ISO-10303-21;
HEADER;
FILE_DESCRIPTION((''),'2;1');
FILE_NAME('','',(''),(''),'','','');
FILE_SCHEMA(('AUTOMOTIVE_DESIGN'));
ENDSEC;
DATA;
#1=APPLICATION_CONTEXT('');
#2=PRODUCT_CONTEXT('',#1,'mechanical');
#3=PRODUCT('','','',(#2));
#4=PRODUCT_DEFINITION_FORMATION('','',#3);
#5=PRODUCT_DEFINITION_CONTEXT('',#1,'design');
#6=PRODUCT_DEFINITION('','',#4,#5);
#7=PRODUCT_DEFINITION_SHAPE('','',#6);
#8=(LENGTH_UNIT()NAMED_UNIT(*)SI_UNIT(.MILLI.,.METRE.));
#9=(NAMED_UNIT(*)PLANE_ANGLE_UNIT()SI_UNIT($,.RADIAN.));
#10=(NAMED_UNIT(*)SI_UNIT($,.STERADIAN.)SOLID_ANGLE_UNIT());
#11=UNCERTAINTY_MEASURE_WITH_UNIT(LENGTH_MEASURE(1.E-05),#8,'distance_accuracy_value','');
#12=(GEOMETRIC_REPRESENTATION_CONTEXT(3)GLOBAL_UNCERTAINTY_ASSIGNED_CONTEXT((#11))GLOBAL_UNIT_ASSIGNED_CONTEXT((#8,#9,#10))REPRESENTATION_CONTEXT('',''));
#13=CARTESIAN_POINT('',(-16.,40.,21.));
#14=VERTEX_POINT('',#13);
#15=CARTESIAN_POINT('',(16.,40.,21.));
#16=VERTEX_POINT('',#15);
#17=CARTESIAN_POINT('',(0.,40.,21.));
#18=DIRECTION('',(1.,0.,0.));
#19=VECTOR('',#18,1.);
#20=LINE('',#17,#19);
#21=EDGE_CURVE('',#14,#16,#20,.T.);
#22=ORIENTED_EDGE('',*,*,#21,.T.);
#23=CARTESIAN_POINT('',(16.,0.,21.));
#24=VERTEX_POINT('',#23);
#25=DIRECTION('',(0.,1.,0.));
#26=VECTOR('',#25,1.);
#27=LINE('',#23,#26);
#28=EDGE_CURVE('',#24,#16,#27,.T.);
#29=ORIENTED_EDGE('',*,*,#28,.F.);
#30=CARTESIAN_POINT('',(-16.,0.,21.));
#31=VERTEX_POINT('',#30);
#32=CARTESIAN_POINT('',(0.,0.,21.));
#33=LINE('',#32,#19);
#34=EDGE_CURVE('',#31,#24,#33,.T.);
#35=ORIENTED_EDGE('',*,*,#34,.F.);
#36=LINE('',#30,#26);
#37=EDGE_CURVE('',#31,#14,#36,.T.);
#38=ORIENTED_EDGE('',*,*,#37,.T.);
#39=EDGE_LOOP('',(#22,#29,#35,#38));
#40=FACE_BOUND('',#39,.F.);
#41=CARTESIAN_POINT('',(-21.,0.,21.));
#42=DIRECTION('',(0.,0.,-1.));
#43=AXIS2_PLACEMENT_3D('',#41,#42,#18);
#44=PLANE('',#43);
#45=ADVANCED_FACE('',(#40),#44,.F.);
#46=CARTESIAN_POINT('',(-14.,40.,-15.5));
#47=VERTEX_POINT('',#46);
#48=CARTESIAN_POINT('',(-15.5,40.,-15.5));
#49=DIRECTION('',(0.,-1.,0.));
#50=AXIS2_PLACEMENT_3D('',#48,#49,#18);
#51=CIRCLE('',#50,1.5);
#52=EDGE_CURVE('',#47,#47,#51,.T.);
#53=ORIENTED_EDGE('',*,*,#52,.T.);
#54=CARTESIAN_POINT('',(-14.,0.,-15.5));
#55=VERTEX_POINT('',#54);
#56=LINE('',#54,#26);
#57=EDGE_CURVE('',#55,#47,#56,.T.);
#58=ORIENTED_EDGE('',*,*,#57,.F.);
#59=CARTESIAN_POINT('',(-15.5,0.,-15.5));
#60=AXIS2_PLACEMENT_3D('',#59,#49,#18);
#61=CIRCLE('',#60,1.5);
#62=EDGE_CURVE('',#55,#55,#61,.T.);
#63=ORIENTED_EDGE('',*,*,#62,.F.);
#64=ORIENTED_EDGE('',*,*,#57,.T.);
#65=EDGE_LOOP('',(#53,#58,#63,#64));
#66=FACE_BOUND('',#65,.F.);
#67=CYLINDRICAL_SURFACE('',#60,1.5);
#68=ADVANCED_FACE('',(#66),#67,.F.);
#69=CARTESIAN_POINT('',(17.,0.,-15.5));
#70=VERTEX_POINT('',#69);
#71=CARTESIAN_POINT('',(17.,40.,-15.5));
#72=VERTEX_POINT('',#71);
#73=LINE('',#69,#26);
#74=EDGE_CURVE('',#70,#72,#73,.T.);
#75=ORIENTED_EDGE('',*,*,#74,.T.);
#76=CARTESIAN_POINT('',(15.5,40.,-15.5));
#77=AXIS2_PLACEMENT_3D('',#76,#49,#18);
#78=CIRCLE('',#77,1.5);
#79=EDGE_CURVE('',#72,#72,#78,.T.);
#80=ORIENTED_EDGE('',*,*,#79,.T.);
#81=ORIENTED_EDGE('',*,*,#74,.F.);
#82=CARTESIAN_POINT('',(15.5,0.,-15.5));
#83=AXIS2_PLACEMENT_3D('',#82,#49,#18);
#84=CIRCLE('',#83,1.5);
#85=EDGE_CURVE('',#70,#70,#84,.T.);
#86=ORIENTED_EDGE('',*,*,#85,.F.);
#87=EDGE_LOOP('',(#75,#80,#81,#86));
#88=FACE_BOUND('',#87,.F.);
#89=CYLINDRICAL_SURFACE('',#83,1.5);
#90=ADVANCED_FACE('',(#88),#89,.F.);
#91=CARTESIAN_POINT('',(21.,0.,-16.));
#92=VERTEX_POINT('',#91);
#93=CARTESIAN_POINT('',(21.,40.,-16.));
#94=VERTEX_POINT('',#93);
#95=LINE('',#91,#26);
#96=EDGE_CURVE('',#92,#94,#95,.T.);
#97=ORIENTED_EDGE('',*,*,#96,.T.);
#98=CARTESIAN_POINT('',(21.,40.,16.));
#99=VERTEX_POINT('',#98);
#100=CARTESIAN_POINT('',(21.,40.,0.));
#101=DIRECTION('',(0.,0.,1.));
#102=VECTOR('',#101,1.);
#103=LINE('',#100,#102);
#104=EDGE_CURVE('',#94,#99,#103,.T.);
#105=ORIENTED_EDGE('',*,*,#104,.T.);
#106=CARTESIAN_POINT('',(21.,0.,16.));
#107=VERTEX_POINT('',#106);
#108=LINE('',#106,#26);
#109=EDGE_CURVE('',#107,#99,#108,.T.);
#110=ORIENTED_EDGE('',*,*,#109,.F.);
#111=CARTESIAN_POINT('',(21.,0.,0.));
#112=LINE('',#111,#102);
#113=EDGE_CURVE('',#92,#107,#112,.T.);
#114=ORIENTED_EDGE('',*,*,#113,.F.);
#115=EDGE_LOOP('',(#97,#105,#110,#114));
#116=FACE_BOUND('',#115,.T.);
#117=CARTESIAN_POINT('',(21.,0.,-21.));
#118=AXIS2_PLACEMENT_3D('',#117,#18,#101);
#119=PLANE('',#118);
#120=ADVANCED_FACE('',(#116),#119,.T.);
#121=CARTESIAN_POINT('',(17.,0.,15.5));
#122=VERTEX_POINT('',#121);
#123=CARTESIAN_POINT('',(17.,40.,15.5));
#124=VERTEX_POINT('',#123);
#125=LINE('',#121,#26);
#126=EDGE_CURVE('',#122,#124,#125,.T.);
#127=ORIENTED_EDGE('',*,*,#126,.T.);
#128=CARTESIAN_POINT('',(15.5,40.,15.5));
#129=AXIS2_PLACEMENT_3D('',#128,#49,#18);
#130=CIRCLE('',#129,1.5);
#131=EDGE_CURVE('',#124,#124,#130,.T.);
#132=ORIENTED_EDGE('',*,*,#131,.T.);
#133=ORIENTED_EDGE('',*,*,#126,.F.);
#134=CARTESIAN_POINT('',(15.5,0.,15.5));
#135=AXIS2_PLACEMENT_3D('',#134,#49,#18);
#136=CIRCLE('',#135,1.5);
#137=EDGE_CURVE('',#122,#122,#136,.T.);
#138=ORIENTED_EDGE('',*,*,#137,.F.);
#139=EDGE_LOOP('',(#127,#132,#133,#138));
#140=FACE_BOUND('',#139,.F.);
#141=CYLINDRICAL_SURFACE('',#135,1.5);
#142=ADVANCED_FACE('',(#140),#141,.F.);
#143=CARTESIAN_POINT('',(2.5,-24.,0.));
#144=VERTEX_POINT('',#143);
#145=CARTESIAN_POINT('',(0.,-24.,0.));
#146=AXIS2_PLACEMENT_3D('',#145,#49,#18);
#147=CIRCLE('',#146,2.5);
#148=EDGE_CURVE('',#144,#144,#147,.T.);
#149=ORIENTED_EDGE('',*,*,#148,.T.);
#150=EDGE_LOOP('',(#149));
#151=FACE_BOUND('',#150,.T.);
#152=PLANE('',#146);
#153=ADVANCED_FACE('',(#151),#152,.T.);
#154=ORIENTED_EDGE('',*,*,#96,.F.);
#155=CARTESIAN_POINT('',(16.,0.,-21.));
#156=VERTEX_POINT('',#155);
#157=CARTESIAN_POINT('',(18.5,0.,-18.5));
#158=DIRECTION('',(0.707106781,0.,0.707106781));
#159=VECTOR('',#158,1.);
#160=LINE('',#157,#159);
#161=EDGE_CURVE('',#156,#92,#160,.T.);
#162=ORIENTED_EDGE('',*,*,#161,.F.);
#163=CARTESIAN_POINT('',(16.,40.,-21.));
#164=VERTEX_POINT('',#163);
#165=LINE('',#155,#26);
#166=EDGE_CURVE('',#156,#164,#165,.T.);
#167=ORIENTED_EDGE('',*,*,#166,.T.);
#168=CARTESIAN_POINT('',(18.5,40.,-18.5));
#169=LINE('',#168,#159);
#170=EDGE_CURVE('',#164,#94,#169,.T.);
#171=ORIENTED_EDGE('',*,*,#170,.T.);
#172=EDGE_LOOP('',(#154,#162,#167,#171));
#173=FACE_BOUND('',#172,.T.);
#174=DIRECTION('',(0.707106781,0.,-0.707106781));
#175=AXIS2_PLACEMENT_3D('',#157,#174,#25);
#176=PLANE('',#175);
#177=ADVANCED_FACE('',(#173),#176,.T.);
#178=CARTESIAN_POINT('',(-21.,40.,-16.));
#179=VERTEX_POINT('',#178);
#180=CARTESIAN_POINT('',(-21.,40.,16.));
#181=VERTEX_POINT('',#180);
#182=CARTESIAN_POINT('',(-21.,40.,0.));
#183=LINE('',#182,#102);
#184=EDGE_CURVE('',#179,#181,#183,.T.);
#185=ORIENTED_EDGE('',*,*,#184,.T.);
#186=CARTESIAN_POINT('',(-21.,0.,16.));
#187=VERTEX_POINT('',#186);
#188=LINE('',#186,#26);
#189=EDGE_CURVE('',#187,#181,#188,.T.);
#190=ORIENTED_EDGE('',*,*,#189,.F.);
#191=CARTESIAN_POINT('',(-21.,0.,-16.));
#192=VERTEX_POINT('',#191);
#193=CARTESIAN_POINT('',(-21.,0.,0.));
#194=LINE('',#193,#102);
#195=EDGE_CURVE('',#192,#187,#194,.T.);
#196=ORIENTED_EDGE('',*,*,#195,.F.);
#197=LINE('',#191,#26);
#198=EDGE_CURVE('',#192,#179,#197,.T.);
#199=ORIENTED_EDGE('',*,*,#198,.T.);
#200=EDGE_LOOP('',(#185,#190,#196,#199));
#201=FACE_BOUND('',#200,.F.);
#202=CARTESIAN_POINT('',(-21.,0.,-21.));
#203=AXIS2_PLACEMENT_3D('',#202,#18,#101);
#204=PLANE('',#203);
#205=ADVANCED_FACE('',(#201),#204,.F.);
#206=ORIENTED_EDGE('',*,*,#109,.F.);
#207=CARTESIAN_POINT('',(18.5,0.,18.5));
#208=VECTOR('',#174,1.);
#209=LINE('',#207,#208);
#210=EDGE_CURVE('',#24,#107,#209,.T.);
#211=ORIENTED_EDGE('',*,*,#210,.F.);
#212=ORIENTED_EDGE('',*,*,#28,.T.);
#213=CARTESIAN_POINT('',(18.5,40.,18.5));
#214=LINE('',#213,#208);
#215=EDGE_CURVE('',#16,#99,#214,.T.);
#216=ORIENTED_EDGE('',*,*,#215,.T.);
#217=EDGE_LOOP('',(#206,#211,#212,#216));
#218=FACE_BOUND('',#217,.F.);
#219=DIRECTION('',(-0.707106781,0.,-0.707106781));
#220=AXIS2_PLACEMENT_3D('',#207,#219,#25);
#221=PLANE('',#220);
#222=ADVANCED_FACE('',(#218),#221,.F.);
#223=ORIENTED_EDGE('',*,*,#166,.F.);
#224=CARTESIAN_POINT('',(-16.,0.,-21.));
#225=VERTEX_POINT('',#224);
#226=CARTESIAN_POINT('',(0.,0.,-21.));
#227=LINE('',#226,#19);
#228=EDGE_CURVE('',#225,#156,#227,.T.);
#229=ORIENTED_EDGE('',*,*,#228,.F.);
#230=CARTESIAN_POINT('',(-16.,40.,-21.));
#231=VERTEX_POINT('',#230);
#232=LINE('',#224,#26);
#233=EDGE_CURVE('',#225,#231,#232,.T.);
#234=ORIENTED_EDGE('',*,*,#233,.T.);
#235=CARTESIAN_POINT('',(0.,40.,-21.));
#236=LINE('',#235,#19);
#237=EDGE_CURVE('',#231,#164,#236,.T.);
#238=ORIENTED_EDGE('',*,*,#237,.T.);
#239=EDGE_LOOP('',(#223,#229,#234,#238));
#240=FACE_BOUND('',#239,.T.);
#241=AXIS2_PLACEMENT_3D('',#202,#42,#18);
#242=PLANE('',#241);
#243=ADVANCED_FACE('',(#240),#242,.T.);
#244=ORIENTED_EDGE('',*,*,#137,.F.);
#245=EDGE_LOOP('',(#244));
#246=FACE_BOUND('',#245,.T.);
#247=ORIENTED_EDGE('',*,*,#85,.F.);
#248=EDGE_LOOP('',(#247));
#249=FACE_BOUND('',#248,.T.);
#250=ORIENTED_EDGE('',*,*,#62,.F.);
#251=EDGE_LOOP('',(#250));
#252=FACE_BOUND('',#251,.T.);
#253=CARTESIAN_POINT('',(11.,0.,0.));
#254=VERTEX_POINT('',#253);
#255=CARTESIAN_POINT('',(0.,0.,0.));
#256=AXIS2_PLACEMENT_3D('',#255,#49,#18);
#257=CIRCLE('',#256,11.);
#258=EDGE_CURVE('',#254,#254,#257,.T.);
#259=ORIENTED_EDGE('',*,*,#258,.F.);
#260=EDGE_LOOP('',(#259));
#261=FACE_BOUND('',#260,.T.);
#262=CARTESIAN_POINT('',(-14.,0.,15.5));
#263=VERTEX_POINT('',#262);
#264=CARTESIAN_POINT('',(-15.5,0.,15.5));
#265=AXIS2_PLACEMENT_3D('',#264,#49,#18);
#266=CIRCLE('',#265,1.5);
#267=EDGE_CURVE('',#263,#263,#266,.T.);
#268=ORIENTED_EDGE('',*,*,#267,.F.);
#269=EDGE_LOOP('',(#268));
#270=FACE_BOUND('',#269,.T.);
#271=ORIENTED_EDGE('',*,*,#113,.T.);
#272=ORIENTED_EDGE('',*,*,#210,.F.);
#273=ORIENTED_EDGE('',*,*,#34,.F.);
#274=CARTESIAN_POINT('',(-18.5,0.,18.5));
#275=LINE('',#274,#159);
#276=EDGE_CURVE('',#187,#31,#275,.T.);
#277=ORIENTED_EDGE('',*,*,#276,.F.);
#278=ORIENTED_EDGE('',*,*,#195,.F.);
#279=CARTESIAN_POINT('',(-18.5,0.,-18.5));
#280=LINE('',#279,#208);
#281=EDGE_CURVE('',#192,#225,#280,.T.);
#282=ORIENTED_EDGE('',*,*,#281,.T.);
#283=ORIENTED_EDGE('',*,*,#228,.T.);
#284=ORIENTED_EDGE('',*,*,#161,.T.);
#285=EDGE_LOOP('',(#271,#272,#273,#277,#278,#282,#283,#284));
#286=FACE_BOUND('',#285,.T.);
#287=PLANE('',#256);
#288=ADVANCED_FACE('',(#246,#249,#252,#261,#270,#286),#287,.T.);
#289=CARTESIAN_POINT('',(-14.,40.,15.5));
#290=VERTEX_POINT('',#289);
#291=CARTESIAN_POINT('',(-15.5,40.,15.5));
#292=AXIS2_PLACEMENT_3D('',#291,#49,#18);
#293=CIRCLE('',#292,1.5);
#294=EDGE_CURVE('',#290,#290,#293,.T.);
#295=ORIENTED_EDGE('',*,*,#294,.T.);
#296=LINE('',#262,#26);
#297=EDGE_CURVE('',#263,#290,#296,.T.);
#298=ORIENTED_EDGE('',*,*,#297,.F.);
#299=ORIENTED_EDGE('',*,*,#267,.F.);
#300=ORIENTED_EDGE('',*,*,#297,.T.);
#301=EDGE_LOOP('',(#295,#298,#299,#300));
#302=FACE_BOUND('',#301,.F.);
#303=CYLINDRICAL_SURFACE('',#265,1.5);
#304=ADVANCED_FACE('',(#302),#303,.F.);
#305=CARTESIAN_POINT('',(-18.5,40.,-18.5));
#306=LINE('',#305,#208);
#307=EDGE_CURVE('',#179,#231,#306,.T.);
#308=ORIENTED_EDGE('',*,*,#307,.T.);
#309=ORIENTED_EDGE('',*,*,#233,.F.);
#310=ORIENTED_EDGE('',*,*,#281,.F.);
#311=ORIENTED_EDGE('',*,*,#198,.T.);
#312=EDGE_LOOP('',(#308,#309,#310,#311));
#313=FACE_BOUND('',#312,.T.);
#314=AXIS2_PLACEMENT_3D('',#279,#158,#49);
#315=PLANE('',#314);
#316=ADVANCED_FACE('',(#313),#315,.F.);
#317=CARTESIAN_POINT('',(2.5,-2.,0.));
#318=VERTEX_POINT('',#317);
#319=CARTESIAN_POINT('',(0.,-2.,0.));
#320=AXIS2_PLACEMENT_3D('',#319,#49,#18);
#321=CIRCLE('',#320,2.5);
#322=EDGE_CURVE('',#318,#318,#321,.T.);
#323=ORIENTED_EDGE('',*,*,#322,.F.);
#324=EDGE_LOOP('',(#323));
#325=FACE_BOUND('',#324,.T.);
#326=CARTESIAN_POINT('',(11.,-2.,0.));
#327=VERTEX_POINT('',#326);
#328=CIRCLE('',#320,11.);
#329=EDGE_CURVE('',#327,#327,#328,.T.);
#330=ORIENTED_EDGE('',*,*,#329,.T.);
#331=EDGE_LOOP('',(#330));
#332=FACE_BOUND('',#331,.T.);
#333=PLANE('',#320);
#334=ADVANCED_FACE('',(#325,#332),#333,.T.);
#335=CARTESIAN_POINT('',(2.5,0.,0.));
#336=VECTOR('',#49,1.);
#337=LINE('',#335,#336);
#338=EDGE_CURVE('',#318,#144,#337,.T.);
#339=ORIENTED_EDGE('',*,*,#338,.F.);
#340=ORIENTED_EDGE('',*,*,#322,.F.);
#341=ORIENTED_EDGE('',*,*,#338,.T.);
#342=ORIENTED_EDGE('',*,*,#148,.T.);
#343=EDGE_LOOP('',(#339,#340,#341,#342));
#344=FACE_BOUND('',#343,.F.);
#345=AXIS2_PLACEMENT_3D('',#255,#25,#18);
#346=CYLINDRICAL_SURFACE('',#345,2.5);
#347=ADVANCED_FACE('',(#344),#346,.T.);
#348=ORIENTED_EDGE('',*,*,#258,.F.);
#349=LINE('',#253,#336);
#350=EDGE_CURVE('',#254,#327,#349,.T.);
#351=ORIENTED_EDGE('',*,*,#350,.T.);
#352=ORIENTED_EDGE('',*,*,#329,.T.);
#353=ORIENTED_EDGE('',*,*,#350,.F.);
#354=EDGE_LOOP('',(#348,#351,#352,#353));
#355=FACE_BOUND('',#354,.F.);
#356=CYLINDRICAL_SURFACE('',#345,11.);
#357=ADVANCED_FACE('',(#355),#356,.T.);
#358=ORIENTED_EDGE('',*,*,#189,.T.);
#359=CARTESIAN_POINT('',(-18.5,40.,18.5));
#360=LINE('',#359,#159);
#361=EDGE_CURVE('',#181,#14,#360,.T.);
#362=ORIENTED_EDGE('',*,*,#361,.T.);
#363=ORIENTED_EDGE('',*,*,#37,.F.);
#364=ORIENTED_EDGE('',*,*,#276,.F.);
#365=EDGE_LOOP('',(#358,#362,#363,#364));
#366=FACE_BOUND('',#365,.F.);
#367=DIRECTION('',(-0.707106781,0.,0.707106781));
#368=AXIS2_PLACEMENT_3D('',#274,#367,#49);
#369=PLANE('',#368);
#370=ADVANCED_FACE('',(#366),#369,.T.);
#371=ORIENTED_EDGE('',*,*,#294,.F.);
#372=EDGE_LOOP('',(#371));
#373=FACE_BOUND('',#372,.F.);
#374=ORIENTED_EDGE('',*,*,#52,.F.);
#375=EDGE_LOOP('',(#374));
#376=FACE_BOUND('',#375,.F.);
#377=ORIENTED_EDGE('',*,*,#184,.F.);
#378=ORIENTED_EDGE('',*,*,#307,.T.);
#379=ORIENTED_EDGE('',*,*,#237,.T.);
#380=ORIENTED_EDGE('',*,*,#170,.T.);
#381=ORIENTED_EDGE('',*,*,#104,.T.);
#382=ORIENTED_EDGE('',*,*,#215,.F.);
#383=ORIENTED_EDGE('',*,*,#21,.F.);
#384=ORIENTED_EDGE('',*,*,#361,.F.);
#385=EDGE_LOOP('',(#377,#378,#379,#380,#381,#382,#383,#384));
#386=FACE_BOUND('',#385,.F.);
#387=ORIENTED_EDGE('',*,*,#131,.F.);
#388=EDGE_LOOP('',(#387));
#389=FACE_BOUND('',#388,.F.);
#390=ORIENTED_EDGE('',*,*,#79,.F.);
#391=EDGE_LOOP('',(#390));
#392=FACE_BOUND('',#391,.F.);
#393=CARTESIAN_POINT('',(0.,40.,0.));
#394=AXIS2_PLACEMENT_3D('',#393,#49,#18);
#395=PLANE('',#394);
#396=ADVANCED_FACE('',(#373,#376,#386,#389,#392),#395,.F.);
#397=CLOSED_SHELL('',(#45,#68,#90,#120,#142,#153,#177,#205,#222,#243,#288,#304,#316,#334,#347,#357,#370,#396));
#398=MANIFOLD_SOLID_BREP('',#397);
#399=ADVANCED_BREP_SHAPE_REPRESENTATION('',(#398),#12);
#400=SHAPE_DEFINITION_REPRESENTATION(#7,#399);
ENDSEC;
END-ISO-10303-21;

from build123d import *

# Parameters (mm, degrees)
F0_W     = 42
F0_H     = 42
F0_R     = 1.5
F0_R_2   = 11
F0_R_3   = 2.5
F1_DEPTH = 40
F2_DEPTH = 2
F3_DEPTH = 24
F4_SIZE  = 5


with BuildPart() as f1:
    # F0 (on Front) → F1 (new body)
    with BuildSketch(Plane.XZ):
        Rectangle(F0_W, F0_H)
        with Locations((-15.5, -15.5)):
            Circle(F0_R, mode=Mode.SUBTRACT)
        with Locations((15.5, -15.5)):
            Circle(F0_R, mode=Mode.SUBTRACT)
        with Locations((-15.5, 15.5)):
            Circle(F0_R, mode=Mode.SUBTRACT)
        Circle(F0_R_2, mode=Mode.SUBTRACT)
        with Locations((15.5, 15.5)):
            Circle(F0_R, mode=Mode.SUBTRACT)
        Circle(F0_R_2)
        Circle(F0_R_3, mode=Mode.SUBTRACT)
        Circle(F0_R_3)
    extrude(amount=-F1_DEPTH)

    # F0 (on Front) → F2 (join)
    with BuildSketch(Plane.XZ):
        Circle(F0_R_2)
        Circle(F0_R_3, mode=Mode.SUBTRACT)
    extrude(amount=F2_DEPTH)

    # F0 (on Front) → F3 (join)
    with BuildSketch(Plane.XZ):
        Circle(F0_R_3)
    extrude(amount=F3_DEPTH)

    # F4
    f4_edges = [f1.edges().sort_by_distance(p)[0] for p in [
        (-21, 20, -21),
        (-21, 20, 21),
        (21, 20, 21),
        (21, 20, -21),
    ]]
    chamfer(f4_edges, length=F4_SIZE)


solid = f1.part
